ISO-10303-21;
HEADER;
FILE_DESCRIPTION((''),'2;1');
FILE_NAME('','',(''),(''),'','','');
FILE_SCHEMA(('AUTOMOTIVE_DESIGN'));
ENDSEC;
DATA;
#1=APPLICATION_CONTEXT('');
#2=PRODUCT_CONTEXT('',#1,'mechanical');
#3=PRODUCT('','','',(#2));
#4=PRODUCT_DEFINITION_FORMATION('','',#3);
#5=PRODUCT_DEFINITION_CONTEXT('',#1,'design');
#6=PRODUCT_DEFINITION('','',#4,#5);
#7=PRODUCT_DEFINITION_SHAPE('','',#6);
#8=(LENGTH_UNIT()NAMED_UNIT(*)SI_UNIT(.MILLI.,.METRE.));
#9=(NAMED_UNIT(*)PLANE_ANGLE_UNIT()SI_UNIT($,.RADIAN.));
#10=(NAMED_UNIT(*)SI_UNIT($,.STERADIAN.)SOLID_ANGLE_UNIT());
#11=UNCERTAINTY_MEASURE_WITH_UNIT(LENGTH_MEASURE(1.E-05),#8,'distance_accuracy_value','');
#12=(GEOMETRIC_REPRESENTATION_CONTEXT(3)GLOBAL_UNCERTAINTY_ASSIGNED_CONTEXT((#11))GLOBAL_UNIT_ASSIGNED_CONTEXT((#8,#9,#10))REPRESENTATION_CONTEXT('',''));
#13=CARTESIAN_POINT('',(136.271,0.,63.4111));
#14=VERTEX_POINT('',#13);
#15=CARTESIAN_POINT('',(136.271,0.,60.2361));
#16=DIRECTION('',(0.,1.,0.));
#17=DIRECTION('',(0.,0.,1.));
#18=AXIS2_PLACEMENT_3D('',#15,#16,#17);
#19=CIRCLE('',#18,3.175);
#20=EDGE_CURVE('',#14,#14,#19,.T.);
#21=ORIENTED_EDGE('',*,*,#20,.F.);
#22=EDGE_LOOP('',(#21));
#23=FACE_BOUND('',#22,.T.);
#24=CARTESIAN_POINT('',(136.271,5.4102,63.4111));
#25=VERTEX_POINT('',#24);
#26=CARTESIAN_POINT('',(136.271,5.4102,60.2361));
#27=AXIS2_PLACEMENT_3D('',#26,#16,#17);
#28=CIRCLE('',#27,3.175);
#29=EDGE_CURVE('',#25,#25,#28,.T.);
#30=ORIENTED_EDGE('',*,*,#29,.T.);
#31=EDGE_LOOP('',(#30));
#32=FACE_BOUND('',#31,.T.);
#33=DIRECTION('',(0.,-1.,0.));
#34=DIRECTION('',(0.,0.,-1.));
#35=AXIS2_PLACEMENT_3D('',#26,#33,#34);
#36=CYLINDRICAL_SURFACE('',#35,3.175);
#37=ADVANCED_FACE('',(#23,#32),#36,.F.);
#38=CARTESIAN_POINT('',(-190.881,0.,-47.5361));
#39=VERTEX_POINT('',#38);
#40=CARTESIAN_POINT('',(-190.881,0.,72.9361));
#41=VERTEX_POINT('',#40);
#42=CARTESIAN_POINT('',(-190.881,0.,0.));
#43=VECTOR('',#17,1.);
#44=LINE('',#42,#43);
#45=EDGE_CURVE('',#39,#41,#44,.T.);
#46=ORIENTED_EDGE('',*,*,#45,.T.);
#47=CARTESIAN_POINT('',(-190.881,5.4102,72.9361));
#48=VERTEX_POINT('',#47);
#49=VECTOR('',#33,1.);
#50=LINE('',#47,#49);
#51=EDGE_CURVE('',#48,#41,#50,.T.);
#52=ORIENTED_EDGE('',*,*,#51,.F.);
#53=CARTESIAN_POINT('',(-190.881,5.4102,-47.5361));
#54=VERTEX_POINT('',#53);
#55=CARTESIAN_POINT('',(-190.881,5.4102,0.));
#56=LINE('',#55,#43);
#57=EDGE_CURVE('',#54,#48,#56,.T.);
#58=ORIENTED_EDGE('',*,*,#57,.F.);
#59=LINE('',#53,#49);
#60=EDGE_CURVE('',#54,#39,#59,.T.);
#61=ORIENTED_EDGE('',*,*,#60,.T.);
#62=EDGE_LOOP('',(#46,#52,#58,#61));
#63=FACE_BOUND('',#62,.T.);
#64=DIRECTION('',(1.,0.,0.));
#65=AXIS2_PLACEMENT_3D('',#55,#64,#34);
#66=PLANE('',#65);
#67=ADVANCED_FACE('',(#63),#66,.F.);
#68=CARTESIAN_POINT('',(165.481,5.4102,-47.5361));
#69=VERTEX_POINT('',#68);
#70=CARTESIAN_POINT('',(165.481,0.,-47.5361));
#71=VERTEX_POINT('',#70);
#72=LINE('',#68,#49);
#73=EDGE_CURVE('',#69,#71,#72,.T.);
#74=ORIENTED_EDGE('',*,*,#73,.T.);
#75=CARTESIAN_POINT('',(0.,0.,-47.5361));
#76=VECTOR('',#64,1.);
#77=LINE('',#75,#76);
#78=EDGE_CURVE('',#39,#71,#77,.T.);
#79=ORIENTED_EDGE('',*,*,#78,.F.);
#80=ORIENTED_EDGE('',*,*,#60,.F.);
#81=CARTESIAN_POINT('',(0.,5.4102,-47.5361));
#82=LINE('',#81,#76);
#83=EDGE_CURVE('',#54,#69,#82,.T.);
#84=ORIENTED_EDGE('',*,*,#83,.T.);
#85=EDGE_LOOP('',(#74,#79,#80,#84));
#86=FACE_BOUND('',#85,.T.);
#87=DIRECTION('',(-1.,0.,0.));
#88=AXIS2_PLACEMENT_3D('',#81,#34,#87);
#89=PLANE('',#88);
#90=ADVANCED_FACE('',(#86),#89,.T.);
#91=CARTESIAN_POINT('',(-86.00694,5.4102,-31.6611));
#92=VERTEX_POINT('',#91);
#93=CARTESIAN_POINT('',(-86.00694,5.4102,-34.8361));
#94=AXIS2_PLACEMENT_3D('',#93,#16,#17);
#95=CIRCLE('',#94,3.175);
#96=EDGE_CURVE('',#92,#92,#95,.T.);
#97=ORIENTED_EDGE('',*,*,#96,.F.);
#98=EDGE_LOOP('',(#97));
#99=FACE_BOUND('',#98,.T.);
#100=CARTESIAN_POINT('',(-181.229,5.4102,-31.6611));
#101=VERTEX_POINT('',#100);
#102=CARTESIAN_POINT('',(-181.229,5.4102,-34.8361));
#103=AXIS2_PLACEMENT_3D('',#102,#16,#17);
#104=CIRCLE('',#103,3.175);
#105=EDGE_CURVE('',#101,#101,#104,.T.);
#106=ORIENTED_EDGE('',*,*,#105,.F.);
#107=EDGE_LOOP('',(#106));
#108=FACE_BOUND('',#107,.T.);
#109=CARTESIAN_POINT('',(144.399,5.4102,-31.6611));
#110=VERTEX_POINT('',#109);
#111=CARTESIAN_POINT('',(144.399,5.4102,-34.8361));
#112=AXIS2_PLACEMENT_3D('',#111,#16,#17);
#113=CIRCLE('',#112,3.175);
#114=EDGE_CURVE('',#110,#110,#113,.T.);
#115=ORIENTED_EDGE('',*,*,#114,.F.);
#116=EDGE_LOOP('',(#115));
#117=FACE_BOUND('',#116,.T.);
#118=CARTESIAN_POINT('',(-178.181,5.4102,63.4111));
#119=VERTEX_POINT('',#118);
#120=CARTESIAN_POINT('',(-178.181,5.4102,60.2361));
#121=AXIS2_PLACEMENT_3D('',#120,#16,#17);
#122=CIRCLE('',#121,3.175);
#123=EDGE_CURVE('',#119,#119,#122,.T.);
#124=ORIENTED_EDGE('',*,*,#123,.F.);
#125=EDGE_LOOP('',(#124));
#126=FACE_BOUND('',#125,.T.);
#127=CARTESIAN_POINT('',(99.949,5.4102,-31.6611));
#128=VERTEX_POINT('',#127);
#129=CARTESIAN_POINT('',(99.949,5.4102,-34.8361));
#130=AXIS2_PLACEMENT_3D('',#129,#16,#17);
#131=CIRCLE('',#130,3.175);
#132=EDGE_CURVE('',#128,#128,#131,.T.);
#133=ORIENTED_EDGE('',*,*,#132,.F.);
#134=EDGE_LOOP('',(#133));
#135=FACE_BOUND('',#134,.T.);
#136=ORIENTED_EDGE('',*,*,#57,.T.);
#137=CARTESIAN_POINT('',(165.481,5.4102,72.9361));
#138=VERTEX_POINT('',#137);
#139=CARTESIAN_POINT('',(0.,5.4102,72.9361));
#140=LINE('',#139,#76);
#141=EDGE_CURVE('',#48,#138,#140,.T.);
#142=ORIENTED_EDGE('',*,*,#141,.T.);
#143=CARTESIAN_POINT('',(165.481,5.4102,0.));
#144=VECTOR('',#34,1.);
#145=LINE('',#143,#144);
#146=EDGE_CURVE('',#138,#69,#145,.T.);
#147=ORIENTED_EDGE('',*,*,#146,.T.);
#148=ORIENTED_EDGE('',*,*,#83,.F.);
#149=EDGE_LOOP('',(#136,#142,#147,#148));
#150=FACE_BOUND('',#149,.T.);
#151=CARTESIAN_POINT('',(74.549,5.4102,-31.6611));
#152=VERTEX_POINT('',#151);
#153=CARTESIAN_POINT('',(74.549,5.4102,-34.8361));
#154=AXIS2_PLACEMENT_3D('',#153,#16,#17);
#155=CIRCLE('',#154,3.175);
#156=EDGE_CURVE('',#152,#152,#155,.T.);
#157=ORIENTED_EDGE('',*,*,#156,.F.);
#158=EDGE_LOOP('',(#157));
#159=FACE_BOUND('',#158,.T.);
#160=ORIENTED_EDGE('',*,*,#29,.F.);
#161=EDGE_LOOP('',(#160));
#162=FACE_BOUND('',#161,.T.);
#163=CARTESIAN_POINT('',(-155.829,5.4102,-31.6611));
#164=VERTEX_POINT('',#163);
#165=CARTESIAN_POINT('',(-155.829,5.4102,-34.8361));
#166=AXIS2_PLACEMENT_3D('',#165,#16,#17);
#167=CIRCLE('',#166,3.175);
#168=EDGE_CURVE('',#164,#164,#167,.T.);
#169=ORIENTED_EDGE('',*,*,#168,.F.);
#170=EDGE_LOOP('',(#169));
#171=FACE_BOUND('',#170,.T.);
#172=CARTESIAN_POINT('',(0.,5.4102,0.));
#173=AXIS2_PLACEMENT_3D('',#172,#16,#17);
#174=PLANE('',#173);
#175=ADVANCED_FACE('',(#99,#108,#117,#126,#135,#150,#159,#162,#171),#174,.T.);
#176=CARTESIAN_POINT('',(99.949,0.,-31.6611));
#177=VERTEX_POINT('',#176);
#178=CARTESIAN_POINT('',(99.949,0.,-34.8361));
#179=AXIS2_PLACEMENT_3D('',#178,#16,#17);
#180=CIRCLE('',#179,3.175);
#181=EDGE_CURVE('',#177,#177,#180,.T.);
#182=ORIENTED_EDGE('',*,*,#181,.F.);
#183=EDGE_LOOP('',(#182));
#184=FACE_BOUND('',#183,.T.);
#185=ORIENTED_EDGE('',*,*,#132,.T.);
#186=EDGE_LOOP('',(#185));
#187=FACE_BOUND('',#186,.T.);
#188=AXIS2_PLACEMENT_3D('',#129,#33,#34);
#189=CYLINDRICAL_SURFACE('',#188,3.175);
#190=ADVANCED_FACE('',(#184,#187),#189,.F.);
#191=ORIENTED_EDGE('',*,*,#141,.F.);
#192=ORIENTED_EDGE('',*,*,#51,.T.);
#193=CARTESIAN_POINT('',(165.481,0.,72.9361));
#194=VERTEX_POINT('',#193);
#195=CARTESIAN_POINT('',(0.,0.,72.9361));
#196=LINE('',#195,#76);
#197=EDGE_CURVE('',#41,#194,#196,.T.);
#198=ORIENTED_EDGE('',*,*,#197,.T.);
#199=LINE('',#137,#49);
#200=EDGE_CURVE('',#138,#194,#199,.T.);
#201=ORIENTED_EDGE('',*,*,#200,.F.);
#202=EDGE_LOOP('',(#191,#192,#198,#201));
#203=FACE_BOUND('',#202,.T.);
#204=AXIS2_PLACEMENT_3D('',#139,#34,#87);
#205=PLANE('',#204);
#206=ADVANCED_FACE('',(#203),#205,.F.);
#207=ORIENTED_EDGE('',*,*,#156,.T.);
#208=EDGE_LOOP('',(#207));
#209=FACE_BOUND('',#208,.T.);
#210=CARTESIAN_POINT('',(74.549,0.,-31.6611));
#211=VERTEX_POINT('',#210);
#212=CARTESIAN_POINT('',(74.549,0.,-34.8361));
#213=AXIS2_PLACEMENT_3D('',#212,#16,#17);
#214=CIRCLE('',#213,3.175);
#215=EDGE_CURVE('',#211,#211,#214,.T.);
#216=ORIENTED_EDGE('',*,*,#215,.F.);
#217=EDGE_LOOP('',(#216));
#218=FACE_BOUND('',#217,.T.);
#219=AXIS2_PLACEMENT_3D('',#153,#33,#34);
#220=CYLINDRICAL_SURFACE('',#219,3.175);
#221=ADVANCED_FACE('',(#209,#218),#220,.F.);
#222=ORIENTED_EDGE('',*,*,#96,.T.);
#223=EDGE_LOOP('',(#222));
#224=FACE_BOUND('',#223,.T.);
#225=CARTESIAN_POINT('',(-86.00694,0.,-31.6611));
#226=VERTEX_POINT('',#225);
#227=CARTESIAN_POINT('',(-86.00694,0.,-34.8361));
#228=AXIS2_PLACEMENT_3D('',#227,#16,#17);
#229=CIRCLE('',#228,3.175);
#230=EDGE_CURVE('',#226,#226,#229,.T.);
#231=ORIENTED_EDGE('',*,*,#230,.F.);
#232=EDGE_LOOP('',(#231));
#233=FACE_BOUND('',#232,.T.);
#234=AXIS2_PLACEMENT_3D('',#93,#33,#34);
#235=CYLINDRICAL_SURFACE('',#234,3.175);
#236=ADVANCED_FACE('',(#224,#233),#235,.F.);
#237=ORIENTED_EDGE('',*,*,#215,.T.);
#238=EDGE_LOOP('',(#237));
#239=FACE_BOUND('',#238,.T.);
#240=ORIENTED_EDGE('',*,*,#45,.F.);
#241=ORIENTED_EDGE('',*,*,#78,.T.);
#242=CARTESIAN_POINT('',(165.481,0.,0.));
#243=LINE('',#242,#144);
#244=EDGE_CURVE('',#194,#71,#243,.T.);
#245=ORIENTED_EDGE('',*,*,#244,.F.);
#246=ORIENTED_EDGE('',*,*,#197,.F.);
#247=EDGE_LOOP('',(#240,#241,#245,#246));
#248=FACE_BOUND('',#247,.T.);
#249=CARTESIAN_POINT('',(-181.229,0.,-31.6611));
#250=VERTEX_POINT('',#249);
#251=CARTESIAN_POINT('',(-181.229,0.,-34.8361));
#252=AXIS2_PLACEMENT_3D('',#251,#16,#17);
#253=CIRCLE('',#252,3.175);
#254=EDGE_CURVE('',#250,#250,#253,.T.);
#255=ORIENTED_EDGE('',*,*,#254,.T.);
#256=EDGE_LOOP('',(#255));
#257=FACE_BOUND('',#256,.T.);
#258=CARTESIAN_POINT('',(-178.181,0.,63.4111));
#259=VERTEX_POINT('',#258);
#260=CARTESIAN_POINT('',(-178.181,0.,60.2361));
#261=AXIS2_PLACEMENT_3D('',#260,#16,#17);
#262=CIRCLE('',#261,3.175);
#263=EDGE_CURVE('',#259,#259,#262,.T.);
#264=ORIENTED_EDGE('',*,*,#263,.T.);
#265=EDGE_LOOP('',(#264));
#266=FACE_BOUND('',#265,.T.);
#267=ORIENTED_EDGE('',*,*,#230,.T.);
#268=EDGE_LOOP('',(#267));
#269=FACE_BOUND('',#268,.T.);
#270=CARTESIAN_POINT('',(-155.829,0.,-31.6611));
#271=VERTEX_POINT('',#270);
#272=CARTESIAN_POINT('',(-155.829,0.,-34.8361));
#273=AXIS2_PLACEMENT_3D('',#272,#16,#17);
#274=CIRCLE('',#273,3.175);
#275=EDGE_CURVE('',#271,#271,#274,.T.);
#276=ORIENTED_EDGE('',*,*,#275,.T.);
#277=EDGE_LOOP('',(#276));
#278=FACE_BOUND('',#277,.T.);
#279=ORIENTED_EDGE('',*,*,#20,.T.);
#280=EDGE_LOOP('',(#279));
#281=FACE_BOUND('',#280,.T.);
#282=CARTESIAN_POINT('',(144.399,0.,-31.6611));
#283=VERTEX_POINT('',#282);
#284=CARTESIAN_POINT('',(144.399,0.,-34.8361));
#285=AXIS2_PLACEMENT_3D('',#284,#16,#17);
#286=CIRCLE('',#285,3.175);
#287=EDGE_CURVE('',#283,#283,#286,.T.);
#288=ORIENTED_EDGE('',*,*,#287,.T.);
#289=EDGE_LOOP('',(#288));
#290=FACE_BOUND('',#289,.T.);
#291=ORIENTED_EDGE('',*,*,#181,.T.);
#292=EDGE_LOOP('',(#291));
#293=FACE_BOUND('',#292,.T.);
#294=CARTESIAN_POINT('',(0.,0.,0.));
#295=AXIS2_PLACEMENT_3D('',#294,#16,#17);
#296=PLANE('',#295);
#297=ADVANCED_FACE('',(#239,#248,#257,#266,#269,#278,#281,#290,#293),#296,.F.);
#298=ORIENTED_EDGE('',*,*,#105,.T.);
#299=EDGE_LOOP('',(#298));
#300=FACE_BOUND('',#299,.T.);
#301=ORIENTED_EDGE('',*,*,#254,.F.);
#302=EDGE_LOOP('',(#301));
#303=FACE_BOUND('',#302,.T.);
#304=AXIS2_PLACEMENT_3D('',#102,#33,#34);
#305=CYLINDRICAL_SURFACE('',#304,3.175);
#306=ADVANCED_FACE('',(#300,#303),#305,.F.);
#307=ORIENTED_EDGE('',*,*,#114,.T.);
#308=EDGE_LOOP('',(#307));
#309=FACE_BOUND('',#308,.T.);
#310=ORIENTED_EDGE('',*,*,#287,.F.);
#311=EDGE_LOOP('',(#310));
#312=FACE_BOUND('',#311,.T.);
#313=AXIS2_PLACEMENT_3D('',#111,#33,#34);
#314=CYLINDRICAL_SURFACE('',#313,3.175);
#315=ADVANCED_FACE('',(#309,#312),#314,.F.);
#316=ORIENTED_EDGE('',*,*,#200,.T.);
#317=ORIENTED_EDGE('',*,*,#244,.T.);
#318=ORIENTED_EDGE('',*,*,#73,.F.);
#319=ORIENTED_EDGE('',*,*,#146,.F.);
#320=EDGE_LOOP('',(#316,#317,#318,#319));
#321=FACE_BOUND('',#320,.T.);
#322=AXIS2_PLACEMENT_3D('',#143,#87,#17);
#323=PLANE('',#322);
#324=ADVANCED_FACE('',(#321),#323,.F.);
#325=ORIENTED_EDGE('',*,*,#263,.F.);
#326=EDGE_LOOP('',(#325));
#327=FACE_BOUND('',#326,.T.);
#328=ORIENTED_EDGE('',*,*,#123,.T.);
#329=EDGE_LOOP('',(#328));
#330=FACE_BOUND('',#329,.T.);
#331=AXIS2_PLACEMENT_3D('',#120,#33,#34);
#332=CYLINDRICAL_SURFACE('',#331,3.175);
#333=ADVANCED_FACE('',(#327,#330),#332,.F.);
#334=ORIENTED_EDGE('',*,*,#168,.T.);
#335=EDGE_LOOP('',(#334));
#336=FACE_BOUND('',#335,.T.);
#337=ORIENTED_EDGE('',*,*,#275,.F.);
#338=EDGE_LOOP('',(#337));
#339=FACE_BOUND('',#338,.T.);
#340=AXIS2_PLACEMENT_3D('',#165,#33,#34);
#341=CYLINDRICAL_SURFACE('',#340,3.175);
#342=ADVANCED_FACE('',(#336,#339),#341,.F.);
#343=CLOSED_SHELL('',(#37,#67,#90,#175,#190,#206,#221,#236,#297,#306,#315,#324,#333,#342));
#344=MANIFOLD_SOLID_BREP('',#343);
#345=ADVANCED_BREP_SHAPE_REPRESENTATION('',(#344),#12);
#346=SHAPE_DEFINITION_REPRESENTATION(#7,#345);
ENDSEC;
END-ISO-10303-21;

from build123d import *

# Parameters (mm, degrees)
SKETCH1_R           = 3.175
SKETCH1_W           = 25.4
SKETCH1_H           = 95.0722
SKETCH1_W_2         = 5.4102
SKETCH1_H_2         = 12.7
BOSS_EXTRUDE1_DEPTH = 5.4102


with BuildPart() as part:
    # Sketch1 → Boss-Extrude1 (new body)
    # profile 1 of 4: a face of its own
    with BuildSketch(Plane(origin=(0, 0, 0), x_dir=(1, 0, 0), z_dir=(0, 1, 0))):
        Polygon((-165.481, 47.5361), (-165.481, -47.5361), (86.5759, -47.5361), (91.9861, -47.5361), (114.8334, -47.5361), (165.481, -47.5361), (165.481, -42.1259), (165.481, 47.5361), (62.5475, 47.5361), (-73.30694, 47.5361), align=None)
        with Locations(Location((-155.829, 34.8361, 0), (0, 0, 270))):
            Circle(SKETCH1_R, mode=Mode.SUBTRACT)
        with Locations(Location((-86.00694, 34.8361, 0), (0, 0, 270))):
            Circle(SKETCH1_R, mode=Mode.SUBTRACT)
        with Locations(Location((74.549, 34.8361, 0), (0, 0, 270))):
            Circle(SKETCH1_R, mode=Mode.SUBTRACT)
        with Locations(Location((99.949, 34.8361, 0), (0, 0, 270))):
            Circle(SKETCH1_R, mode=Mode.SUBTRACT)
        with Locations(Location((144.399, 34.8361, 0), (0, 0, 270))):
            Circle(SKETCH1_R, mode=Mode.SUBTRACT)
    # profile 2 of 4: a face of its own
    with BuildSketch(Plane(origin=(0, 0, 0), x_dir=(1, 0, 0), z_dir=(0, 1, 0))):
        with Locations((-178.181, 0)):
            Rectangle(SKETCH1_W, SKETCH1_H)
        with Locations(Location((-181.229, 34.8361, 0), (0, 0, 270))):
            Circle(SKETCH1_R, mode=Mode.SUBTRACT)
    # profile 3 of 4: a face of its own
    with BuildSketch(Plane(origin=(0, 0, 0), x_dir=(1, 0, 0), z_dir=(0, 1, 0))):
        Polygon((86.5759, -47.5361), (-165.481, -47.5361), (-190.881, -47.5361), (-190.881, -72.9361), (165.481, -72.9361), (165.481, -47.5361), (114.8334, -47.5361), (91.9861, -47.5361), (91.9861, -60.2361), (86.5759, -60.2361), align=None)
        with Locations(Location((-178.181, -60.2361, 0), (0, 0, 270))):
            Circle(SKETCH1_R, mode=Mode.SUBTRACT)
        with Locations(Location((136.271, -60.2361, 0), (0, 0, 270))):
            Circle(SKETCH1_R, mode=Mode.SUBTRACT)
    # profile 4 of 4: a face of its own
    with BuildSketch(Plane(origin=(0, 0, 0), x_dir=(1, 0, 0), z_dir=(0, 1, 0))):
        with Locations((89.281, -53.8861)):
            Rectangle(SKETCH1_W_2, SKETCH1_H_2)
    extrude(amount=BOSS_EXTRUDE1_DEPTH)


solid = part.part
